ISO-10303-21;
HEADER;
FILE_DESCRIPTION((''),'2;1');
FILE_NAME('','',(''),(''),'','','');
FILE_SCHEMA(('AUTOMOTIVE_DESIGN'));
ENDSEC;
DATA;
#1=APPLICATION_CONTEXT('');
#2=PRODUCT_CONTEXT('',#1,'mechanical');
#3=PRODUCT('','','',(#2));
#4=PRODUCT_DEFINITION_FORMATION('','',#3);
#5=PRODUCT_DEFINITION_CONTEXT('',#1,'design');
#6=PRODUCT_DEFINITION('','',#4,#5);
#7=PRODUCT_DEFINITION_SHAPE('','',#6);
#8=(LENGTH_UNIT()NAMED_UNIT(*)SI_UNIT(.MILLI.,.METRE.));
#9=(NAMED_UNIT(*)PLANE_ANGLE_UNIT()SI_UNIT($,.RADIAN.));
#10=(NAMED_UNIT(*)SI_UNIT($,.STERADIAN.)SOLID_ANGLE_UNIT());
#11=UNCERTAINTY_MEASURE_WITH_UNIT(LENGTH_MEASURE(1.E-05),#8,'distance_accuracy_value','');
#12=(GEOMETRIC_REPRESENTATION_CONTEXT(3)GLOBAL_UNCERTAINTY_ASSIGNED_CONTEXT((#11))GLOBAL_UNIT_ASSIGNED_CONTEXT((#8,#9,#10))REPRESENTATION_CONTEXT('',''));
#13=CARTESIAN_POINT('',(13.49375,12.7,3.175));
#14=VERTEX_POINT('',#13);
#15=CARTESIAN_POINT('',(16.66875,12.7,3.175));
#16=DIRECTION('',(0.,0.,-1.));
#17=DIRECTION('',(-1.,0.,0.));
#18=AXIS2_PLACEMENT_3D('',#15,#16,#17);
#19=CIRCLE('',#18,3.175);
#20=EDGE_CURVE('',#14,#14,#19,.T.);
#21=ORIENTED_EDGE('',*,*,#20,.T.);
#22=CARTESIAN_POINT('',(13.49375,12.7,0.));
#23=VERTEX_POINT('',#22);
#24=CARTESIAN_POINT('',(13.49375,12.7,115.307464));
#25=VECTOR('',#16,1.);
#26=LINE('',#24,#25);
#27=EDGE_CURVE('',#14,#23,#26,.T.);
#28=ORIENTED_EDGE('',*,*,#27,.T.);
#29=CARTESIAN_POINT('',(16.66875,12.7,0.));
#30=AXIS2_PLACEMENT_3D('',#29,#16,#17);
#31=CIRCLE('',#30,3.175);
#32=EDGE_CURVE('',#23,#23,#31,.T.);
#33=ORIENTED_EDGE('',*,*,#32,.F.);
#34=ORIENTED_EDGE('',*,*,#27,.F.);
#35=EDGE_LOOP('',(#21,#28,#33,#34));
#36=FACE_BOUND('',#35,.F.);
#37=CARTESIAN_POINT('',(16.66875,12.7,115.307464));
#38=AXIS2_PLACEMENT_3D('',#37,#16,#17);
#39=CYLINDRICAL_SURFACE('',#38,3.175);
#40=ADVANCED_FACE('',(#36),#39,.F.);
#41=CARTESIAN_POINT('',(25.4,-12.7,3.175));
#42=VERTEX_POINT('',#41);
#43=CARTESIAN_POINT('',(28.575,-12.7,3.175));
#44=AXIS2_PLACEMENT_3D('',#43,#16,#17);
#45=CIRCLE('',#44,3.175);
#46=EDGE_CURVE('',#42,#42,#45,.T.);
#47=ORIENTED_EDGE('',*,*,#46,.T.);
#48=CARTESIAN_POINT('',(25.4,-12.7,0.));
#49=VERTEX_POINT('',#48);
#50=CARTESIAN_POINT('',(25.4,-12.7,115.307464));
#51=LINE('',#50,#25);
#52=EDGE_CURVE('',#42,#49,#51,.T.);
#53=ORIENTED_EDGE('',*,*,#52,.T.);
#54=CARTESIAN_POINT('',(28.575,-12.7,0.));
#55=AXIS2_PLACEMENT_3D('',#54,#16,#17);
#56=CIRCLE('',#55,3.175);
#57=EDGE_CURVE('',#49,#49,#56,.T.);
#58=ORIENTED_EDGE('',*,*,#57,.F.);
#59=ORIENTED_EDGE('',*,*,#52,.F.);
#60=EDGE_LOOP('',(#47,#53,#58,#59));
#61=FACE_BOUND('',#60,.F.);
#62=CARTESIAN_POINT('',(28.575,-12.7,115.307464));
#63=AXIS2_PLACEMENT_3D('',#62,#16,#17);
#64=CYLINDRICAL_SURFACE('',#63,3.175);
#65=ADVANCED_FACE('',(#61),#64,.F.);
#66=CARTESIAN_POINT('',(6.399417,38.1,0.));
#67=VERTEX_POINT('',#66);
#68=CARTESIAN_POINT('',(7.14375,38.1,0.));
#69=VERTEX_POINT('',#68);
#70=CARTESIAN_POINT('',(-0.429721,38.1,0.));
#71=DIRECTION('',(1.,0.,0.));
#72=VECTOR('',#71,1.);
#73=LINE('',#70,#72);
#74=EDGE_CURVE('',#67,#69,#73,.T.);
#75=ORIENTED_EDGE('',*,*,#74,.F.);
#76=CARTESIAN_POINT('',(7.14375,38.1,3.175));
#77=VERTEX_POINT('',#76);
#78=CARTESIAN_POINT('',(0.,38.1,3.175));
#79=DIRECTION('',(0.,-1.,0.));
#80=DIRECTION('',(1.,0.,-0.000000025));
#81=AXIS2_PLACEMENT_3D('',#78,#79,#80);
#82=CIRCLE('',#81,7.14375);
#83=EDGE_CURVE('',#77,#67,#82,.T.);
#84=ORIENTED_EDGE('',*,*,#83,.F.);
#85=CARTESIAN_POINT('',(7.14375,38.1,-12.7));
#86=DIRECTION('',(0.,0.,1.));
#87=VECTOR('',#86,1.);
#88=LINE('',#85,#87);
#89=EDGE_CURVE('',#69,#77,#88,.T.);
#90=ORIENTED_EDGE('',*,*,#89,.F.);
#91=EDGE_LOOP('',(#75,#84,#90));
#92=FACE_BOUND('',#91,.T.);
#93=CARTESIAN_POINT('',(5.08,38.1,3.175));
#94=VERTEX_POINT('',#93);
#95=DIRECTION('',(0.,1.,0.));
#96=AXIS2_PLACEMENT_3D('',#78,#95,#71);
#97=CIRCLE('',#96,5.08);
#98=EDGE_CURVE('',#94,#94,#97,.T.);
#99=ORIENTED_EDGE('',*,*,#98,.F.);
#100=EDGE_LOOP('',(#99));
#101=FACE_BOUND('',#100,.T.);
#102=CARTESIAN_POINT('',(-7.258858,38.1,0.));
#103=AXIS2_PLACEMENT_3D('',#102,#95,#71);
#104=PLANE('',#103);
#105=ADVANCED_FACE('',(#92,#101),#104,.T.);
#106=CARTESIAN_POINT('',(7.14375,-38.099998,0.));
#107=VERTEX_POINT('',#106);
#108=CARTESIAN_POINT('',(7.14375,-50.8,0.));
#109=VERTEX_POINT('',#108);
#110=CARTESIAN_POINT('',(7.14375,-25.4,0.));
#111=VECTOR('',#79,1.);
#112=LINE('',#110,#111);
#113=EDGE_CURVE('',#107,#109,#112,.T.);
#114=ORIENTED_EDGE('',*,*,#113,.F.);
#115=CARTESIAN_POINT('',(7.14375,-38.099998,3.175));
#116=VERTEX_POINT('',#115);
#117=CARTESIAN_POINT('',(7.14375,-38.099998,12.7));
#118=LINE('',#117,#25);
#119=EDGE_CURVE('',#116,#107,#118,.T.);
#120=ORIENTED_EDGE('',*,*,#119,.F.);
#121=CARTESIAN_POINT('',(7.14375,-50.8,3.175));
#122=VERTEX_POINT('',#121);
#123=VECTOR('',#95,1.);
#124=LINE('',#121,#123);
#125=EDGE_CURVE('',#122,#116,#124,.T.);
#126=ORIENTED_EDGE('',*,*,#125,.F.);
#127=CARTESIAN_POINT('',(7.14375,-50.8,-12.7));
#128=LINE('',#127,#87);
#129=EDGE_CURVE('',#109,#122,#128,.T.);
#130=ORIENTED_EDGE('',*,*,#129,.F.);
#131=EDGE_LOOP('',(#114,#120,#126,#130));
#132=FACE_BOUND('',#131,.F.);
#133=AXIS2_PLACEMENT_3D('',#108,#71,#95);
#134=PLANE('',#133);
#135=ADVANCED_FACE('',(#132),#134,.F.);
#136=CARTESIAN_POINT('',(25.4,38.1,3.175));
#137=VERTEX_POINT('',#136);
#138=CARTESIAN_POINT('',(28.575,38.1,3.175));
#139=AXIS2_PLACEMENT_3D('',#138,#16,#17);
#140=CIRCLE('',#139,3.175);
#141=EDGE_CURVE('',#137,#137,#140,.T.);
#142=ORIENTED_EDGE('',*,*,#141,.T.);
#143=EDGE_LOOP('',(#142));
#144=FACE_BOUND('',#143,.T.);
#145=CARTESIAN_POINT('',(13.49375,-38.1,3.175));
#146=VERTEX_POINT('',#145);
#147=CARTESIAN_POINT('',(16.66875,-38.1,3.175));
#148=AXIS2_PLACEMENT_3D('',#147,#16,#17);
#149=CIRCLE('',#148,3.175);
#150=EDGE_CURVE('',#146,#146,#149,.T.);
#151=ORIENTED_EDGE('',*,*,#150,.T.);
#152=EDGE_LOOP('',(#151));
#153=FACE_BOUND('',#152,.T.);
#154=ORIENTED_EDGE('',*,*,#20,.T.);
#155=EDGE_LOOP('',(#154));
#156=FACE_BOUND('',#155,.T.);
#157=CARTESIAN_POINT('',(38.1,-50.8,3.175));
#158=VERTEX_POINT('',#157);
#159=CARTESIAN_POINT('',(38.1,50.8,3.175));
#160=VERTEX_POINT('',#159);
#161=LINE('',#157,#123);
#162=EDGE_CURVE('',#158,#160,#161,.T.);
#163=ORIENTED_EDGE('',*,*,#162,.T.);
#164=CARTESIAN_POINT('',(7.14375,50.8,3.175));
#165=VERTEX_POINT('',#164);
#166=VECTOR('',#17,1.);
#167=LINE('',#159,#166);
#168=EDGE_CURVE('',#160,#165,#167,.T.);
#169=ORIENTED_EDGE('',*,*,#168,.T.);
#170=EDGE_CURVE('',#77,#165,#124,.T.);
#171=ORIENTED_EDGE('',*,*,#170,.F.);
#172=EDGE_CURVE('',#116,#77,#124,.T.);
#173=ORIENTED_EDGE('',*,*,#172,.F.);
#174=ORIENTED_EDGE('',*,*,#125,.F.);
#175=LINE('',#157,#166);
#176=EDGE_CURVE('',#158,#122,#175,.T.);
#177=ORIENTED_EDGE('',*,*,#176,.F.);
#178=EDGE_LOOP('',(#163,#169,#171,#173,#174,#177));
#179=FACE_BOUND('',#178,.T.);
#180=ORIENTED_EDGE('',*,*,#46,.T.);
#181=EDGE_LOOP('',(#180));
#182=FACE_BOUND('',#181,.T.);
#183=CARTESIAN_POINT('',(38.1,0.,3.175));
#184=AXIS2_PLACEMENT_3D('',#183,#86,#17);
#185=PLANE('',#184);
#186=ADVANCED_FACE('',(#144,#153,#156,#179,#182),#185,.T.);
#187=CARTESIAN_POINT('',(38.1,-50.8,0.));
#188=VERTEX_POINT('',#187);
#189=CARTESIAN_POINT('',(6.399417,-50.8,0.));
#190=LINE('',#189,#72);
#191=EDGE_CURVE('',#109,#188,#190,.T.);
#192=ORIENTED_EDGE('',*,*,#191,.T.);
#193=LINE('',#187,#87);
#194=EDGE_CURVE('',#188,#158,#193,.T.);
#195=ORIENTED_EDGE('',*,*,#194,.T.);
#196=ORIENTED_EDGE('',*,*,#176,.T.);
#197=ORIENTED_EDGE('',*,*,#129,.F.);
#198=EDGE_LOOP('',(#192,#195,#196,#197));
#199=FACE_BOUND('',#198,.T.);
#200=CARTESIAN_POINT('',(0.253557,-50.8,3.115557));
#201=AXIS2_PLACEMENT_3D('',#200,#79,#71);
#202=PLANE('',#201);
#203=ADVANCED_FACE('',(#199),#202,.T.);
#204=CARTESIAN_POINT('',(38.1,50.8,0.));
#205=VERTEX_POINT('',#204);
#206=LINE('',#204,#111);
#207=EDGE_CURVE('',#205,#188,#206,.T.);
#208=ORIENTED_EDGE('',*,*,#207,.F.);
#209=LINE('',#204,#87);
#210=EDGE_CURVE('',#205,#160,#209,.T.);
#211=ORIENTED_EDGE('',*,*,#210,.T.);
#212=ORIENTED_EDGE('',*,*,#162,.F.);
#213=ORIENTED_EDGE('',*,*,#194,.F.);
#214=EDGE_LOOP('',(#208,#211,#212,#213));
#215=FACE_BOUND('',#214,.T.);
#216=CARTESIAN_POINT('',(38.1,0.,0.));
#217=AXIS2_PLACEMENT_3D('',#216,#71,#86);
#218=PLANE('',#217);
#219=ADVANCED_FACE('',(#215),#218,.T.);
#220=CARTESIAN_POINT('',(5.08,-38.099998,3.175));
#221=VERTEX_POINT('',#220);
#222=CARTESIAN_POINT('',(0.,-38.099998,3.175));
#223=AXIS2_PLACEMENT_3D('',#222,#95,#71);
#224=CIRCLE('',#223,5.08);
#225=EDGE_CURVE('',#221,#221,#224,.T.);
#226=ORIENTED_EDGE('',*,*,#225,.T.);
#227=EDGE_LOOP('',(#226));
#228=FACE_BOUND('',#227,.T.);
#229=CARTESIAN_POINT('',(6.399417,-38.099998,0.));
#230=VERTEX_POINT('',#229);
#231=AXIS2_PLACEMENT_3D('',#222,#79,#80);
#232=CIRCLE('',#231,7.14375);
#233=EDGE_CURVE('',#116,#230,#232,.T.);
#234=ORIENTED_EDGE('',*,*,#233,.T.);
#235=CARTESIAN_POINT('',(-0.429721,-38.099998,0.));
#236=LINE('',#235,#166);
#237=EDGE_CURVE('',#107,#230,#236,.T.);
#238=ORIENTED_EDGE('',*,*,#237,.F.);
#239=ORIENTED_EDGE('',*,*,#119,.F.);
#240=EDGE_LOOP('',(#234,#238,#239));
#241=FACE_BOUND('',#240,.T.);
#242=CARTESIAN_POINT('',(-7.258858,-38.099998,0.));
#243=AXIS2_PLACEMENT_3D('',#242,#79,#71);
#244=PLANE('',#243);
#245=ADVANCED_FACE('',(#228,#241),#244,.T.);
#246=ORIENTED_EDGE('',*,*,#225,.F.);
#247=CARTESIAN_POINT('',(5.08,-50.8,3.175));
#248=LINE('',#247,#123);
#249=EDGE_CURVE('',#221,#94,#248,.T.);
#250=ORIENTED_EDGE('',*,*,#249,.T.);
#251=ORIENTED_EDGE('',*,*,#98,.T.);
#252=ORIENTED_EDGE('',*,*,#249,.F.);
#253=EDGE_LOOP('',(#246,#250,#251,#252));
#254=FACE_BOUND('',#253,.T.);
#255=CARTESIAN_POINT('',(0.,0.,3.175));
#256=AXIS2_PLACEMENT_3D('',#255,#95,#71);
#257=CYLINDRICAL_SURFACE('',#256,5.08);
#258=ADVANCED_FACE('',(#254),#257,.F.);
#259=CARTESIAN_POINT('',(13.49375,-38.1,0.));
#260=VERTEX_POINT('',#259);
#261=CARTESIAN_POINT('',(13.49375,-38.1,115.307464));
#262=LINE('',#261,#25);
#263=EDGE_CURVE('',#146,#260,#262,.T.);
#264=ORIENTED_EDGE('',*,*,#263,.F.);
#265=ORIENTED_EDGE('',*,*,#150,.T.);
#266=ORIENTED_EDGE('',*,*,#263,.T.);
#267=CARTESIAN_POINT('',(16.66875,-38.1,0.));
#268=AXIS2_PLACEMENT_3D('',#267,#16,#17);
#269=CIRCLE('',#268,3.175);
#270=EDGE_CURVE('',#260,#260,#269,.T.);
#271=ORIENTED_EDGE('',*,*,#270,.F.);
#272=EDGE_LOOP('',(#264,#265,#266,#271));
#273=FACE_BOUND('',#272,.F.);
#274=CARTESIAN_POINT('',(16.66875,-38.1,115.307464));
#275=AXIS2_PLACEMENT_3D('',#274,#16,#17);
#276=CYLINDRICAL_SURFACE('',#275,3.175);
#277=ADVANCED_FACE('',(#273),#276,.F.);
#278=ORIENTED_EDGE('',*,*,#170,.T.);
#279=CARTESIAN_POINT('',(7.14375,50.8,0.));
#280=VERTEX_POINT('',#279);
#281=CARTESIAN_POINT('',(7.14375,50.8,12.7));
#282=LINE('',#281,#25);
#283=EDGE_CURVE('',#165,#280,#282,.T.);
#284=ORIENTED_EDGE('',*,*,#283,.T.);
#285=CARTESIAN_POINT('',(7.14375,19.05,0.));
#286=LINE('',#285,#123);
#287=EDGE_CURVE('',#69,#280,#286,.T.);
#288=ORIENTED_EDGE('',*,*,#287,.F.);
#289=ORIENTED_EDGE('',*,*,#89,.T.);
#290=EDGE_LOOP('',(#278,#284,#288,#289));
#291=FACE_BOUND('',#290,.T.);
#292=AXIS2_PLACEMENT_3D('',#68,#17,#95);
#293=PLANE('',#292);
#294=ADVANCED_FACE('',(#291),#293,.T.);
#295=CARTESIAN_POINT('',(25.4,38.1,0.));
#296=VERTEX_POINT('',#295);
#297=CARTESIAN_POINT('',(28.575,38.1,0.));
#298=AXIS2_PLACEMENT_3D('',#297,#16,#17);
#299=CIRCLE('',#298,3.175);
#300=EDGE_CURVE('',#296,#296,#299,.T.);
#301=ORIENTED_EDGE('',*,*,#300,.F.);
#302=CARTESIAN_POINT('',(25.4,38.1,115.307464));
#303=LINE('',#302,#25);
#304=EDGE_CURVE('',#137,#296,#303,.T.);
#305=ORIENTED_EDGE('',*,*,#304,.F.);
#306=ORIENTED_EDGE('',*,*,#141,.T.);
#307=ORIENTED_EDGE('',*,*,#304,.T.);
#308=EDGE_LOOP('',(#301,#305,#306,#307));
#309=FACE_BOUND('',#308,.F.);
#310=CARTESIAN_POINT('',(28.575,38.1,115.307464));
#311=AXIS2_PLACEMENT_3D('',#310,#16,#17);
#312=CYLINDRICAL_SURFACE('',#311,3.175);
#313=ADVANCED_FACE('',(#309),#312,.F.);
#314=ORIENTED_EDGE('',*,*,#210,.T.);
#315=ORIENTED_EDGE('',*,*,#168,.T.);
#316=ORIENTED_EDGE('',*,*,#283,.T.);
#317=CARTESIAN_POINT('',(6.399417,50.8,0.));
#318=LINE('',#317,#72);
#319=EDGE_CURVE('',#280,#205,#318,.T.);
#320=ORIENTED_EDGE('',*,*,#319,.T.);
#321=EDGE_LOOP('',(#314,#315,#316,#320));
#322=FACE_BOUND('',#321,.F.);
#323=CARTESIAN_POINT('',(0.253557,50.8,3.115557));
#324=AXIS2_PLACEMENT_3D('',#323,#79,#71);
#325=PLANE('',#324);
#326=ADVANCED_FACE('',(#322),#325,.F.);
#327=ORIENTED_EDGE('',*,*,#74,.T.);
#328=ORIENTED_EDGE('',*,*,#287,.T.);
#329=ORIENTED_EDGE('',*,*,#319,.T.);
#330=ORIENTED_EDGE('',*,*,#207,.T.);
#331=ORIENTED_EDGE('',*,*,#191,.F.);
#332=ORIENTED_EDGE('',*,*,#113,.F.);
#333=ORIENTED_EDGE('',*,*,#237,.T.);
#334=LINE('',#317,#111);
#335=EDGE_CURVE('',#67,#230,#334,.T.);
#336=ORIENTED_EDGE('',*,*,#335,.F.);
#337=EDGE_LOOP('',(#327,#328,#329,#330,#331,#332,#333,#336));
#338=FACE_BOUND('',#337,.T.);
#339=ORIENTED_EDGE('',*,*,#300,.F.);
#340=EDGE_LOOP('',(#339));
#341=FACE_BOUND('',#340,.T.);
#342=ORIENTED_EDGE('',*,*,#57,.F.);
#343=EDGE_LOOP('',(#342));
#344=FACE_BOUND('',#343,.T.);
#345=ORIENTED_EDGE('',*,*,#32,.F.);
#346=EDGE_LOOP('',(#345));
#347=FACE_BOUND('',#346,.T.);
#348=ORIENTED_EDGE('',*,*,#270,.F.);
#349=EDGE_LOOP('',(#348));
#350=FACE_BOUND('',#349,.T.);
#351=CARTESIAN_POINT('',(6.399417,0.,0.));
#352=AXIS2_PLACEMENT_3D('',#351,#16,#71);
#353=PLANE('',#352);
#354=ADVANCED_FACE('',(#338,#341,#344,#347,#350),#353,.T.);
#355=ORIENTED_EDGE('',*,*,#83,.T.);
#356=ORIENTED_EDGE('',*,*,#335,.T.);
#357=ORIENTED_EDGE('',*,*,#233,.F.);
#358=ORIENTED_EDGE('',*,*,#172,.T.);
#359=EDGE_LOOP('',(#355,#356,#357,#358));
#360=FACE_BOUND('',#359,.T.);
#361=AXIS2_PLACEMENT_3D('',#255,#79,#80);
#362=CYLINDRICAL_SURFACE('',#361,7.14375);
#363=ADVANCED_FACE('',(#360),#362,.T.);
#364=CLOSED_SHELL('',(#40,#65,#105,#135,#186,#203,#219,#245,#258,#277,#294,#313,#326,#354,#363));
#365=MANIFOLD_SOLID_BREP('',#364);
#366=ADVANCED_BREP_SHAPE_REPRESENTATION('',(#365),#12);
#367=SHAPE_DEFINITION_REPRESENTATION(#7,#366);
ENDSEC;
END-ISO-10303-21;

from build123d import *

# Parameters (mm, degrees)
F0_R     = 5.08
F1_DEPTH = 50.8
F2_W     = 14.402608
F2_H     = 12.7
F2_H_2   = 12.700002
F3_DEPTH = 12.7
F5_D     = 6.35


with BuildPart() as f1:
    # F0 (on Front) → F1 (new body, symmetric)
    with BuildSketch(Plane.XZ):
        with BuildLine():
            ThreePointArc((6.399417, 0), (6.955178, 1.544459), (7.14375, 3.175))
            ThreePointArc((7.14375, 3.175), (-6.955178, 4.805541), (6.399417, 0))
        make_face()
        with Locations((0, 3.175)):
            Circle(F0_R, mode=Mode.SUBTRACT)
        with BuildLine():
            Line((38.1, 3.175), (7.14375, 3.175))
            ThreePointArc((7.14375, 3.175), (6.955178, 1.544459), (6.399417, 0))
            Line((6.399417, 0), (38.1, 0))
            Line((38.1, 0), (38.1, 3.175))
        make_face()
    extrude(amount=F1_DEPTH, both=True)

    # F2 (on Top) → F3 (cut, symmetric)
    with BuildSketch(Plane.XY):
        with Locations((-0.057554, 44.45)):
            Rectangle(F2_W, F2_H)
        with Locations((-0.057554, -44.449999)):
            Rectangle(F2_W, F2_H_2)
    extrude(amount=F3_DEPTH, both=True, mode=Mode.SUBTRACT)

    # F5 (through all)
    with Locations(Plane.XY.offset(3.175)):
        with Locations((28.575, 38.1), (16.66875, 12.7), (28.575, -12.7), (16.66875, -38.1)):
            Hole(F5_D / 2)


solid = f1.part
